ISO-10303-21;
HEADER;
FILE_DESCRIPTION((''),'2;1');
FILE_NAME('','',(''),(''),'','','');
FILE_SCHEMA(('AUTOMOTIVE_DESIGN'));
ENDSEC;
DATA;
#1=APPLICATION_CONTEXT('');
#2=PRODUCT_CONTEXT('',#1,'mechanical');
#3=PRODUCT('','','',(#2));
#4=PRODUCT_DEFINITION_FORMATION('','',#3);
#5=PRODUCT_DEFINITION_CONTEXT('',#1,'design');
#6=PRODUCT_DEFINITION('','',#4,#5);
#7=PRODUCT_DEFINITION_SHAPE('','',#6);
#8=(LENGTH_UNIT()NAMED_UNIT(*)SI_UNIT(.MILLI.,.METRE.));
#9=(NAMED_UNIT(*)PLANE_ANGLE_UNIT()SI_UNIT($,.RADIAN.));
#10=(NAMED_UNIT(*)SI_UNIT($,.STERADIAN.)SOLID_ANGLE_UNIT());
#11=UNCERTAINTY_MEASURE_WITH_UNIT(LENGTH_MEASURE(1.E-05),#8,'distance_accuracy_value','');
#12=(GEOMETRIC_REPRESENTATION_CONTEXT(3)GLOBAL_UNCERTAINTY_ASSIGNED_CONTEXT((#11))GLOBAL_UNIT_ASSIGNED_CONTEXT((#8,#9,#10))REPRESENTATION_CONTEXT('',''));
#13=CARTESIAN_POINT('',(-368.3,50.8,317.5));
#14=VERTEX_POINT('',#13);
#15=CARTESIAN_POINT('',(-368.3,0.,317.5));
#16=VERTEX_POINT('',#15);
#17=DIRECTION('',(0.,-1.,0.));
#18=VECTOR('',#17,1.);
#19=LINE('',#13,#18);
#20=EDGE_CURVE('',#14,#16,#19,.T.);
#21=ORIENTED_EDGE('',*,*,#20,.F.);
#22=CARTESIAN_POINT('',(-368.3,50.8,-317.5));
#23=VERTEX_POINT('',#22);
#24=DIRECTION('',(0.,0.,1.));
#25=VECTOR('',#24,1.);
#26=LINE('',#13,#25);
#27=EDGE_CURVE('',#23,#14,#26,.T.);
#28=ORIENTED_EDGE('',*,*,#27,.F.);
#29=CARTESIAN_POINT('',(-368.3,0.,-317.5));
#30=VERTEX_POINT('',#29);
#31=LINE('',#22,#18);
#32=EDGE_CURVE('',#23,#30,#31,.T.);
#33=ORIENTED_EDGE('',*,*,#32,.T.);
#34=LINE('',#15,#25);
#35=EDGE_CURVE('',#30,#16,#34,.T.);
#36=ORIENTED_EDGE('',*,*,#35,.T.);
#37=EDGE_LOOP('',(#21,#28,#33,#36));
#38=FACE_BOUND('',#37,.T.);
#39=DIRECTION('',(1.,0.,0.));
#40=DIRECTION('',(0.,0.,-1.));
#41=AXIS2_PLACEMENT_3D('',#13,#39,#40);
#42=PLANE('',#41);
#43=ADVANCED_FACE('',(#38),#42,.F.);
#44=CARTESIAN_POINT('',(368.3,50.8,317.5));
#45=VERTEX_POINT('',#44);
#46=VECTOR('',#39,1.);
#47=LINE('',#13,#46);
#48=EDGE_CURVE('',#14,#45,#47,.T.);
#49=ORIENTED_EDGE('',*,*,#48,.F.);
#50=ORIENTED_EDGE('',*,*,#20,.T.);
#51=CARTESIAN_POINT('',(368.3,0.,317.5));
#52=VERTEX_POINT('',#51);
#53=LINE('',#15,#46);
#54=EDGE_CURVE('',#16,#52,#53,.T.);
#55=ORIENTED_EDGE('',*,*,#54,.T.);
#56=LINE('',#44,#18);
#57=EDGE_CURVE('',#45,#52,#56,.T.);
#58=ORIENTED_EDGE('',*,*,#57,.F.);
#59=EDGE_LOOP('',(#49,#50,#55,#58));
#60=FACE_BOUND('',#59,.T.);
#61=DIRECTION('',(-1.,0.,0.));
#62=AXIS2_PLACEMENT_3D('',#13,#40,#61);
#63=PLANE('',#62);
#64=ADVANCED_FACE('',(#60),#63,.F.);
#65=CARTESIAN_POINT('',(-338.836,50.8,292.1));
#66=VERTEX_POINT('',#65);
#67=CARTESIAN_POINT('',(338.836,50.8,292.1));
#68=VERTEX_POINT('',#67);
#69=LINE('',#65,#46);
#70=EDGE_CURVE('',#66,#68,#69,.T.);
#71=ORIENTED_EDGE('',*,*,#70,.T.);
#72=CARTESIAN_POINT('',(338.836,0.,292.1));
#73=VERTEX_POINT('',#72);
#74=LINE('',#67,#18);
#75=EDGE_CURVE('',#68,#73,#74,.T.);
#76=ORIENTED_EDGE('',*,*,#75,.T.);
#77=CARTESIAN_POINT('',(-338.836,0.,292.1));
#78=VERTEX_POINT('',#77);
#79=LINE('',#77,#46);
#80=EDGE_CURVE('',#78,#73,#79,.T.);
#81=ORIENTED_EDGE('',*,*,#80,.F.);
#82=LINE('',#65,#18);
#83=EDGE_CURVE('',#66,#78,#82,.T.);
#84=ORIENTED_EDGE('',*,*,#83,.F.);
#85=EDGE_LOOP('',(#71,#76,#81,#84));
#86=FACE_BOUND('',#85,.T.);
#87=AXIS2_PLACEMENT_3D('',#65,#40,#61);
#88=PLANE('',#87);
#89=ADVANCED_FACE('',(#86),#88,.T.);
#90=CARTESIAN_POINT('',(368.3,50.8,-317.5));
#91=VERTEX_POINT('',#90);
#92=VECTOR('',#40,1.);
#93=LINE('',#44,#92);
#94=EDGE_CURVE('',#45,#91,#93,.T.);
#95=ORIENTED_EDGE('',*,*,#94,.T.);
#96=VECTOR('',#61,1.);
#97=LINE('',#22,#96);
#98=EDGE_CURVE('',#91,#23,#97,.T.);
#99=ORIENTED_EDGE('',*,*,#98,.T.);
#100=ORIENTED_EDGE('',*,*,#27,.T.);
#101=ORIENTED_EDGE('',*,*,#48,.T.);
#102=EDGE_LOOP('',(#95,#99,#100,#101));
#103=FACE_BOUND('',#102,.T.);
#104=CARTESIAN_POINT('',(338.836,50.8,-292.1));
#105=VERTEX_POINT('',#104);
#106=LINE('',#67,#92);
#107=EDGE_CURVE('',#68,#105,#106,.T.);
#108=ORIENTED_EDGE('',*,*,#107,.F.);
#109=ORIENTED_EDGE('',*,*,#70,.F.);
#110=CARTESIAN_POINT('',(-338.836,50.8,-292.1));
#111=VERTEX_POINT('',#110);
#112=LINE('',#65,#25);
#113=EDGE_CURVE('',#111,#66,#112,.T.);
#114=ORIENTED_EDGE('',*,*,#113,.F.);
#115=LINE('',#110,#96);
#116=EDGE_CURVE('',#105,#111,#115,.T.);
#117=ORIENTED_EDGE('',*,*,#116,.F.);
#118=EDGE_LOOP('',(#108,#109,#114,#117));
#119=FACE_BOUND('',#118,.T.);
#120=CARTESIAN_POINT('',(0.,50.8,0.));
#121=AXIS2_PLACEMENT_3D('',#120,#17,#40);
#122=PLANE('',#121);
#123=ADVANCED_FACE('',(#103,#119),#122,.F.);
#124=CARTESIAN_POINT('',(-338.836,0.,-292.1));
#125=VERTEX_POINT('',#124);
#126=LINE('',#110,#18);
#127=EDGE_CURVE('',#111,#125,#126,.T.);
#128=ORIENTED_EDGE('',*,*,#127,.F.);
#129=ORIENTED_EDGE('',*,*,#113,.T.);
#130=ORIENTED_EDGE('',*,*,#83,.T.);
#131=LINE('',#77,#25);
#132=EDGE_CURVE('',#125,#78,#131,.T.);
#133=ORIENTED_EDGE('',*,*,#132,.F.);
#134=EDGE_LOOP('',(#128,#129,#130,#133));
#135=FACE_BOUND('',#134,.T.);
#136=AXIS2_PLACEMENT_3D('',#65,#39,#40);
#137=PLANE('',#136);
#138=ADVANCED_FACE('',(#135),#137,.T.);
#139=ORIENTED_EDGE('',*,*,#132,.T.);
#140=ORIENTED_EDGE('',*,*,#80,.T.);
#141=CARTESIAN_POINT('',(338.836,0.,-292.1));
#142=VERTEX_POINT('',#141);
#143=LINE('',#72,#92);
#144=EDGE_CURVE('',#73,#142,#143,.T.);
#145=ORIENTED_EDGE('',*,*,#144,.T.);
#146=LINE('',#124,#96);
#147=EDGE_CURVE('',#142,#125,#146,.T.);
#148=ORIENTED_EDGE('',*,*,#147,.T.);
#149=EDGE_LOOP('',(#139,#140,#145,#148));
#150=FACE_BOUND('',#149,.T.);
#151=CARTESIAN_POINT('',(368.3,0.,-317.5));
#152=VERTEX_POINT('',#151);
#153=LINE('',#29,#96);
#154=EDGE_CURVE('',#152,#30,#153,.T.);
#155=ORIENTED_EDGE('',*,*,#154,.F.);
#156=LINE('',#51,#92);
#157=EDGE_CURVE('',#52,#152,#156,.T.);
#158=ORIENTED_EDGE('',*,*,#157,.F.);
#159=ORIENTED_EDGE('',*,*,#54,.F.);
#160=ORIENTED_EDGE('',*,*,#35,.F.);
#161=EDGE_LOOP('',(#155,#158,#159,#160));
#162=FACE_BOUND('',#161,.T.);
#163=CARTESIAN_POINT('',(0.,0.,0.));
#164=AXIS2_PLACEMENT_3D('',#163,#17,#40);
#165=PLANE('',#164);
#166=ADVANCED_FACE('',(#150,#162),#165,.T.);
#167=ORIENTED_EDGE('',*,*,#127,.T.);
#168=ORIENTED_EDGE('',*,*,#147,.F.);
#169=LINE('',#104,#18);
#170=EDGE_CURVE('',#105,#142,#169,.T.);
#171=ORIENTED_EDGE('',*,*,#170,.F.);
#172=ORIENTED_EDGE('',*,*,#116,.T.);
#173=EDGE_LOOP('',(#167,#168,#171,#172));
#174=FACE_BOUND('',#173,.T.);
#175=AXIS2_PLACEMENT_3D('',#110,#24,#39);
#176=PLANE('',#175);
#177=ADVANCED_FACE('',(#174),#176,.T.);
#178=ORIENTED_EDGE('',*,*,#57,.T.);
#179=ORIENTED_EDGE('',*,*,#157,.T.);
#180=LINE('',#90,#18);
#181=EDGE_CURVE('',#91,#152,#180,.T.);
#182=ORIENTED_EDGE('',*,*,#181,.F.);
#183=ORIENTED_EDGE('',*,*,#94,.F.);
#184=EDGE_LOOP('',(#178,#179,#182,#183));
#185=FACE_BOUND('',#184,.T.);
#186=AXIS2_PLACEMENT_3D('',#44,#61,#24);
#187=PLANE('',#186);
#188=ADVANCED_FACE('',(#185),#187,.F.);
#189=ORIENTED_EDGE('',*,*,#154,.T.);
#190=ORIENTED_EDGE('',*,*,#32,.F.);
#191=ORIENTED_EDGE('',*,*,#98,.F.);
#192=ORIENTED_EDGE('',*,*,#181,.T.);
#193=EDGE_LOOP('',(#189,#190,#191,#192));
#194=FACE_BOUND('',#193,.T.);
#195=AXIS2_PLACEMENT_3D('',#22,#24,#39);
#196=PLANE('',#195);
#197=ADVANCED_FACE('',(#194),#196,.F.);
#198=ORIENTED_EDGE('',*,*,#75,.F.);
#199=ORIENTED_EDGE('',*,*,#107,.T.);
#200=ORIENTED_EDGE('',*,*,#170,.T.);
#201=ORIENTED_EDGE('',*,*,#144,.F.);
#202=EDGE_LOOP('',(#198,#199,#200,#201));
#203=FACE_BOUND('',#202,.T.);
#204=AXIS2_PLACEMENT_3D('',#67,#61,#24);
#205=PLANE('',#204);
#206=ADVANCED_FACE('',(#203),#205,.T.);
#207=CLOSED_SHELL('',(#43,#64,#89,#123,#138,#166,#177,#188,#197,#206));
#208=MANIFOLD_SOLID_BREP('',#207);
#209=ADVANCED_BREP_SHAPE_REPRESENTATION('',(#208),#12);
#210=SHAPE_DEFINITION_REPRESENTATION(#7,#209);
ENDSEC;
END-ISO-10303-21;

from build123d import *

# Parameters (mm, degrees)
SKETCH1_W           = 736.6
SKETCH1_H           = 635
SKETCH1_W_2         = 677.672
SKETCH1_H_2         = 584.2
BOSS_EXTRUDE2_DEPTH = 50.8


with BuildPart() as part:
    # Sketch1 → Boss-Extrude2 (new body)
    with BuildSketch(Plane(origin=(0, 0, 0), x_dir=(1, 0, 0), z_dir=(0, 1, 0))):
        Rectangle(SKETCH1_W, SKETCH1_H)
        Rectangle(SKETCH1_W_2, SKETCH1_H_2, mode=Mode.SUBTRACT)
    extrude(amount=BOSS_EXTRUDE2_DEPTH)


solid = part.part
